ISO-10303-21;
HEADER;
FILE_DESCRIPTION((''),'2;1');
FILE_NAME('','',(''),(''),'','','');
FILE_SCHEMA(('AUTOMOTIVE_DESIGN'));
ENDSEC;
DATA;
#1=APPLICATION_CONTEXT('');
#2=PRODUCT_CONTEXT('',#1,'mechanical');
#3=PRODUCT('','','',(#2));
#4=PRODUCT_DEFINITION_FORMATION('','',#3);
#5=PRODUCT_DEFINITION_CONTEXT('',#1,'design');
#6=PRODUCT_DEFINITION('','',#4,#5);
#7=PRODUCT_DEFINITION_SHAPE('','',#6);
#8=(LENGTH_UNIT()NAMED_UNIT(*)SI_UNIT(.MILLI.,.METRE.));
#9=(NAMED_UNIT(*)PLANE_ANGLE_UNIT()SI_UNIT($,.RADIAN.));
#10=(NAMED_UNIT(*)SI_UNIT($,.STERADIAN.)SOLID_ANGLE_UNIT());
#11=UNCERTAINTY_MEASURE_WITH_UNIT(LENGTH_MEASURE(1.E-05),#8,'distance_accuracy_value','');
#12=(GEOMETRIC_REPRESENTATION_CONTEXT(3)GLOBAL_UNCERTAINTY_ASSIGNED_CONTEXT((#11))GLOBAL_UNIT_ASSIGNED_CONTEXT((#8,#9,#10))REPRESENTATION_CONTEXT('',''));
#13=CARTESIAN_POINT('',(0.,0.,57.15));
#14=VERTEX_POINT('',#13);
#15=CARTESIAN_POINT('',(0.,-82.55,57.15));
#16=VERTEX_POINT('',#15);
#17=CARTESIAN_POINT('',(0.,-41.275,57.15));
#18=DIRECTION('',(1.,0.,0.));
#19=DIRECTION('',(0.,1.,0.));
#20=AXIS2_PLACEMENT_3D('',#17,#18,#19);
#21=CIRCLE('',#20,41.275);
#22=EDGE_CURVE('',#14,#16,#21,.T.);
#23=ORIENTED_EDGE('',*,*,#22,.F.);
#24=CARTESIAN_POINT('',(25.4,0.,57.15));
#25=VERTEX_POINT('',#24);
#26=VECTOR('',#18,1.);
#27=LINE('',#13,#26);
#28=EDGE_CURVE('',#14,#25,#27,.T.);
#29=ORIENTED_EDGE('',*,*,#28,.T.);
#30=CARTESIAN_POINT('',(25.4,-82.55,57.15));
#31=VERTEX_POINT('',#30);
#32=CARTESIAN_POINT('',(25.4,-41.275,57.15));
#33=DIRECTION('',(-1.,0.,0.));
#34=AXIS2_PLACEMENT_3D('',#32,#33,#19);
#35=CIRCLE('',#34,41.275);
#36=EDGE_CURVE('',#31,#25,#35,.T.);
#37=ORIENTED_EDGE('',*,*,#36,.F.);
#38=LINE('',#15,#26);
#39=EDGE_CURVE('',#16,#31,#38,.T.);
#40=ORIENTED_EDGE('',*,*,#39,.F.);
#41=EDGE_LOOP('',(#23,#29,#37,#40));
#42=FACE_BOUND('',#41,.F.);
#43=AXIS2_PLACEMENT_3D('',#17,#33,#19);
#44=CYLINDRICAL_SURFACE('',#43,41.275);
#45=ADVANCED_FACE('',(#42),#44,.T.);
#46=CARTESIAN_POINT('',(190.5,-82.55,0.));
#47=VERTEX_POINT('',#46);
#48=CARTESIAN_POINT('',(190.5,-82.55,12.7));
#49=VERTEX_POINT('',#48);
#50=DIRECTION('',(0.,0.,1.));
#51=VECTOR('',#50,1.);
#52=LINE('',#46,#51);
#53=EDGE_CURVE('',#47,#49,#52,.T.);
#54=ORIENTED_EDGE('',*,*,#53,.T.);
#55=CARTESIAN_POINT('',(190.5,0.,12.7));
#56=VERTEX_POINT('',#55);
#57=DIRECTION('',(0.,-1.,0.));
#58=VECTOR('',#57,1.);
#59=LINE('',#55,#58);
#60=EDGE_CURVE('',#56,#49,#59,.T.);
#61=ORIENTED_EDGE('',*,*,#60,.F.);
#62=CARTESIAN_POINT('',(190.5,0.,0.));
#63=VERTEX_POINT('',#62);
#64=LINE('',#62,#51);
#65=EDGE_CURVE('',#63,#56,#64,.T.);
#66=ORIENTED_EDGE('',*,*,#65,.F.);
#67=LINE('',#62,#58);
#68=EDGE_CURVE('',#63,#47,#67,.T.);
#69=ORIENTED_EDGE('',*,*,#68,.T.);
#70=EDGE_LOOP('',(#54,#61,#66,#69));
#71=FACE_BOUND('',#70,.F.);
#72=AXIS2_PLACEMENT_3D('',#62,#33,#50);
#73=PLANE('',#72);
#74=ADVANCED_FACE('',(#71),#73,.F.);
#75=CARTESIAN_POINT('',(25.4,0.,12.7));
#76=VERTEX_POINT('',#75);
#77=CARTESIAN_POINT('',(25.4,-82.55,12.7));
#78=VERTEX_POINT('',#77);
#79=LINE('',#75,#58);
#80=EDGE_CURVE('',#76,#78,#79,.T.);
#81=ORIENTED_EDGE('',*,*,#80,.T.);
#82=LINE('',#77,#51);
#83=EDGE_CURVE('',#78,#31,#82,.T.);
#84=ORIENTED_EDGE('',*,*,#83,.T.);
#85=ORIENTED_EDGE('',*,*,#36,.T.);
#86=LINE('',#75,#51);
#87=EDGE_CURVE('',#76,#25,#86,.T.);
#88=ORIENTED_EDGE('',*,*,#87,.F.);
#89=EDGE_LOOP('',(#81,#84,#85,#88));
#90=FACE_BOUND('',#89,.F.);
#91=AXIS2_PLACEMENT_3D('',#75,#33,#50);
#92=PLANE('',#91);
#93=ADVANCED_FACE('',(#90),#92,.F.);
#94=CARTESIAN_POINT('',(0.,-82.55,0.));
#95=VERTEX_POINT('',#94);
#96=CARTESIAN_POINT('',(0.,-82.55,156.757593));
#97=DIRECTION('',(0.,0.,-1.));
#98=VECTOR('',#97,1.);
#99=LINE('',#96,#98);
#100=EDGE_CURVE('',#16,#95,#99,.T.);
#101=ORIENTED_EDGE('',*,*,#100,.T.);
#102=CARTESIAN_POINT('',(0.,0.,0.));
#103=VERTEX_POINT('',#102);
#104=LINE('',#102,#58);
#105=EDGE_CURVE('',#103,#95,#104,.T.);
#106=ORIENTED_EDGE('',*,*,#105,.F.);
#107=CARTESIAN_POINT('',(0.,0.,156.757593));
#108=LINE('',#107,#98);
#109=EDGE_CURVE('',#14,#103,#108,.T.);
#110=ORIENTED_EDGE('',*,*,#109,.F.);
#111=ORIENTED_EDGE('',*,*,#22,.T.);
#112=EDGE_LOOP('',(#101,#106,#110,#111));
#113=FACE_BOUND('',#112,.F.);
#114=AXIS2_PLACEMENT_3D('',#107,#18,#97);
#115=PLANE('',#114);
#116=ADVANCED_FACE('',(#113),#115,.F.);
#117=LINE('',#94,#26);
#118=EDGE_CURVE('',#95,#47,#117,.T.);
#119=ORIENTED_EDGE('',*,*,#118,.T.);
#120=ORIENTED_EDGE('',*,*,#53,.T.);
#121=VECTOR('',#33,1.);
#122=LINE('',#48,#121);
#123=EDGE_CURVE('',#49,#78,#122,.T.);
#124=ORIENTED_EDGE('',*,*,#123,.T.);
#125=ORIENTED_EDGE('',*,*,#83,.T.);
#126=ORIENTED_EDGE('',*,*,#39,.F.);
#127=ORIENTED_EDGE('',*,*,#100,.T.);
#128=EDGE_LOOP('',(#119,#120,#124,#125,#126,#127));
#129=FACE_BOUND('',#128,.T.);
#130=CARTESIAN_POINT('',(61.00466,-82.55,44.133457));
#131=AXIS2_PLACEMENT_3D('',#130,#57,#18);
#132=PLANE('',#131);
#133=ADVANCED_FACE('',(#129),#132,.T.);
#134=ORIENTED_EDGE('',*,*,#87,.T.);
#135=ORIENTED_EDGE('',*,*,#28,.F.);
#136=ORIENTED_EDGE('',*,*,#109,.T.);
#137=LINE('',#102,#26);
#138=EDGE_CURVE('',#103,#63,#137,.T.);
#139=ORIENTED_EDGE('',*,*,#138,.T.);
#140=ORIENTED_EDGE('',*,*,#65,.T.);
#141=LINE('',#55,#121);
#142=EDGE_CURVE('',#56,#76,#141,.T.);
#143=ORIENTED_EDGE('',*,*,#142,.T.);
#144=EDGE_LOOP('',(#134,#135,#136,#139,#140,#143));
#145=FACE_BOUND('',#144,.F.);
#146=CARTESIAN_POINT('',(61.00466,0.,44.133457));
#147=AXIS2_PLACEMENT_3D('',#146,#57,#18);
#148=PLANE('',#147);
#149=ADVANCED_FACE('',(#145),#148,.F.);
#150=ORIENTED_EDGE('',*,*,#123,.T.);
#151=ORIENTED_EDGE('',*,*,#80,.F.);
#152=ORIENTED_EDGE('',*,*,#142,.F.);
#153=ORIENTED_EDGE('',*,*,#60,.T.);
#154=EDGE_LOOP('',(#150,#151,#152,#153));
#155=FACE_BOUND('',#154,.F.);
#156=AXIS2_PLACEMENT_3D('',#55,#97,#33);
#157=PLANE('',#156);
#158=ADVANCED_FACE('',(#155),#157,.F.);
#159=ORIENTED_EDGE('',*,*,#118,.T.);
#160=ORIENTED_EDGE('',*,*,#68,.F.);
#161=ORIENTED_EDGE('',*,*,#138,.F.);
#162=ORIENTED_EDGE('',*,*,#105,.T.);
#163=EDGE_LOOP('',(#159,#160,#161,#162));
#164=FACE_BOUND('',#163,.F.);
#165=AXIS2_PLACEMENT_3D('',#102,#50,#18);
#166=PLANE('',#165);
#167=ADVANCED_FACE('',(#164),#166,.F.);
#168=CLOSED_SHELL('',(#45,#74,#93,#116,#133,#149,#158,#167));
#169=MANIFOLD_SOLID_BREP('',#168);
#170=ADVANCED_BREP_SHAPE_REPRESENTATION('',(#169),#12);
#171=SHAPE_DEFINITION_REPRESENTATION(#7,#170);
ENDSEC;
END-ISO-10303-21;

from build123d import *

# Parameters (mm, degrees)
F1_DEPTH = 82.55
F3_DEPTH = 190.501


with BuildPart() as f1:
    # F0 (on Front) → F1 (new body)
    with BuildSketch(Plane.XZ):
        Polygon((0, 156.757593), (0, 0), (190.5, 0), (190.5, 12.7), (25.4, 12.7), (25.4, 156.757593), align=None)
    extrude(amount=F1_DEPTH)

    # F2 (on face) → F3 (cut, through all)
    with BuildSketch(Plane(origin=(0, 0, 0), x_dir=(0, -1, 0), z_dir=(-1, 0, 0))):
        with BuildLine():
            ThreePointArc((0, 57.15), (41.275, 98.425), (82.55, 57.15))
            Line((82.55, 57.15), (82.55, 156.757593))
            Line((82.55, 156.757593), (0, 156.757593))
            Line((0, 156.757593), (0, 57.15))
        make_face()
    extrude(amount=-F3_DEPTH, mode=Mode.SUBTRACT)


solid = f1.part
